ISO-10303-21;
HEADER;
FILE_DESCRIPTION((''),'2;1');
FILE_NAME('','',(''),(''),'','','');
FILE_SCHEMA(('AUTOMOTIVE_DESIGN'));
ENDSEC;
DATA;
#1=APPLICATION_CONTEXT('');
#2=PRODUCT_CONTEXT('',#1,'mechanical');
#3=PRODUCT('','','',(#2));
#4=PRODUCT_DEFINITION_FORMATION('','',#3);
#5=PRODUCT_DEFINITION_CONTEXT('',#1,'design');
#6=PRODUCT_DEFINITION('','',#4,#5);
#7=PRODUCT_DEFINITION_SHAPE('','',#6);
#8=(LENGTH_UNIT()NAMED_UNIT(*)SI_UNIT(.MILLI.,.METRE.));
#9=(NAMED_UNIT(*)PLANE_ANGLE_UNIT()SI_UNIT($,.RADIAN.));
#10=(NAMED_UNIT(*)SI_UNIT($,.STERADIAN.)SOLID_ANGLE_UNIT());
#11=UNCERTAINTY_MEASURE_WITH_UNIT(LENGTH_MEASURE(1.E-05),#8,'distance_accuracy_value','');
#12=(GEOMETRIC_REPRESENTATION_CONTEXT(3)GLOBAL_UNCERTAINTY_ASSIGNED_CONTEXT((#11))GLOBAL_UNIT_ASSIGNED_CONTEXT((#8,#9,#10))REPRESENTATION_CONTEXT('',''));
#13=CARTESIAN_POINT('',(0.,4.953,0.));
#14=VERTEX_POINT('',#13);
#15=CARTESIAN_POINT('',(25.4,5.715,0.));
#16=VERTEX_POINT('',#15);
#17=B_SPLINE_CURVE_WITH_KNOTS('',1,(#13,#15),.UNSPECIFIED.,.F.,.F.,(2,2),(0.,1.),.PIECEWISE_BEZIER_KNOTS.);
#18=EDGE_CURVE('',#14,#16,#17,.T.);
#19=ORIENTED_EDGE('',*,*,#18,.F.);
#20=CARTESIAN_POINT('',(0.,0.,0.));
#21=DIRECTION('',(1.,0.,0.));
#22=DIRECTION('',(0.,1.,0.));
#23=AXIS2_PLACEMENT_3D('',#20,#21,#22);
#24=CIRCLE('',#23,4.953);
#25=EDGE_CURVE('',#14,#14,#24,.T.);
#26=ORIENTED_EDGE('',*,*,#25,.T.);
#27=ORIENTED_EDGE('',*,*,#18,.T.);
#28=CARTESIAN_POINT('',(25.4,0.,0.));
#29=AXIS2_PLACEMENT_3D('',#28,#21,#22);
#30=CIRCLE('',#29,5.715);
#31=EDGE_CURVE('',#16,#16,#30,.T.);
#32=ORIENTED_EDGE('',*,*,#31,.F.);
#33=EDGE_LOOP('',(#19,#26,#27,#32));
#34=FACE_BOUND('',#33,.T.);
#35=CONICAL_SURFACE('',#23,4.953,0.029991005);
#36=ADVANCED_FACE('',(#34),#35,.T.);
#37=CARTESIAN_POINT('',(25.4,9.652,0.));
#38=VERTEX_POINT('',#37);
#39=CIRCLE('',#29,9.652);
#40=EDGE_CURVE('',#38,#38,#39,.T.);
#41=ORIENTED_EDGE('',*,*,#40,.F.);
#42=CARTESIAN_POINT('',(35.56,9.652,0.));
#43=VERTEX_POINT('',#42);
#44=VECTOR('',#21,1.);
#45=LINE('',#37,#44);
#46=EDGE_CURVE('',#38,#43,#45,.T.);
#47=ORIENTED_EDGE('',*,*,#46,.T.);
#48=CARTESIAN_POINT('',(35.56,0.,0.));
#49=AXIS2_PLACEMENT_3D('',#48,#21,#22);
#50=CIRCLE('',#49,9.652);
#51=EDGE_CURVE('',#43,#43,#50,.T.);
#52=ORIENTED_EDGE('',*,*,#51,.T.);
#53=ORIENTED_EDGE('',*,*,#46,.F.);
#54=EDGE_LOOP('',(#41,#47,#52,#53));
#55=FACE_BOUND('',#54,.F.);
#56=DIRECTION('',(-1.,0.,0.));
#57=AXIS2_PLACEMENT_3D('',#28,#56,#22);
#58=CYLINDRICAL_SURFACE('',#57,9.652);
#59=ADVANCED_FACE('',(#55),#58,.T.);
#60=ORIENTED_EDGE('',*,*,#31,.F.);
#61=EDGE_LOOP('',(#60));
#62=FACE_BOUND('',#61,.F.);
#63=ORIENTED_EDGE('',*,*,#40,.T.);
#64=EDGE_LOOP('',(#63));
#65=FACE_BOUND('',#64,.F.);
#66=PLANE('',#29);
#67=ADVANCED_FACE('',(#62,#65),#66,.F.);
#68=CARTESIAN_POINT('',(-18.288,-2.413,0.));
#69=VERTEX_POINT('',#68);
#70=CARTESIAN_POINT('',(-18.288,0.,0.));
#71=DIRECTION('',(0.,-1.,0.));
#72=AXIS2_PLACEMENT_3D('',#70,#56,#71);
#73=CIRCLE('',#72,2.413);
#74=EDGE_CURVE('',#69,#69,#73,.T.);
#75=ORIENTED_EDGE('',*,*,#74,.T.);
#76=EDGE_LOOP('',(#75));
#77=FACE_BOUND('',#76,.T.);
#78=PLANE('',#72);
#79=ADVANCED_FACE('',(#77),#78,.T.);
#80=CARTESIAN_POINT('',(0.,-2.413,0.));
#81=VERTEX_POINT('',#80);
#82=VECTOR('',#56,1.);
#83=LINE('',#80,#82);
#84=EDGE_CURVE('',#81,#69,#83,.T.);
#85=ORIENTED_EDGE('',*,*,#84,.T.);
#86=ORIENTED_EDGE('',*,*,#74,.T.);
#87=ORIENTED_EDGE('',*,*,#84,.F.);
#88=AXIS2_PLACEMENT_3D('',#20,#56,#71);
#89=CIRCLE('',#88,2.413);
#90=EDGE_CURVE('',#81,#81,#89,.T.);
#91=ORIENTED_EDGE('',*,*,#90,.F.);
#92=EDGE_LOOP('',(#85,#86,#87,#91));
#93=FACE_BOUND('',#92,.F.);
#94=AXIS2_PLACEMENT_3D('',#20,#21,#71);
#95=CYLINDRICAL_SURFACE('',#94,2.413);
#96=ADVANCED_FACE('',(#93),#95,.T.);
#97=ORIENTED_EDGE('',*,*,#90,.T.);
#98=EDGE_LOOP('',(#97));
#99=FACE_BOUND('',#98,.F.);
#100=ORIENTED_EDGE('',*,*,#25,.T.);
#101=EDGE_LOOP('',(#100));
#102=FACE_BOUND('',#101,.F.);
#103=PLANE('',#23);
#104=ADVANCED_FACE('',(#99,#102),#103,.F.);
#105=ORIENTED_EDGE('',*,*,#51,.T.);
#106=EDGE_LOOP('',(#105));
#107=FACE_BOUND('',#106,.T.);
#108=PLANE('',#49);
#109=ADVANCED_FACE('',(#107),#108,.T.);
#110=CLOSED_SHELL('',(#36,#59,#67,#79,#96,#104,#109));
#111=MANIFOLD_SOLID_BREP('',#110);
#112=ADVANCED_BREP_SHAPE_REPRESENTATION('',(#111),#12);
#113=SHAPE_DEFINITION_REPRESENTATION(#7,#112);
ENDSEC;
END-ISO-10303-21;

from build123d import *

# Parameters (mm, degrees)
F0_R     = 4.953
F2_R     = 5.715
F4_R     = 2.413
F5_DEPTH = 18.288
F6_R     = 9.652
F6_R_2   = 5.715
F7_DEPTH = 10.16


with BuildPart() as f3:
    # F0 (on Right) → F3 section 0
    with BuildSketch(Plane.YZ):
        Circle(F0_R)
    # F2 (on offset) → F3 section 1
    with BuildSketch(Plane.YZ.offset(25.4)):
        Circle(F2_R)
    loft()

    # F4 (on face) → F5 (join)
    with BuildSketch(Plane(origin=(0, 0, 0), x_dir=(0, -1, 0), z_dir=(-1, 0, 0))):
        Circle(F4_R)
    extrude(amount=F5_DEPTH)

    # F6 (on face) → F7 (join)
    with BuildSketch(Plane.YZ.offset(25.4)):
        Circle(F6_R)
        Circle(F6_R_2, mode=Mode.SUBTRACT)
        Circle(F6_R_2)
    extrude(amount=F7_DEPTH)


solid = f3.part
